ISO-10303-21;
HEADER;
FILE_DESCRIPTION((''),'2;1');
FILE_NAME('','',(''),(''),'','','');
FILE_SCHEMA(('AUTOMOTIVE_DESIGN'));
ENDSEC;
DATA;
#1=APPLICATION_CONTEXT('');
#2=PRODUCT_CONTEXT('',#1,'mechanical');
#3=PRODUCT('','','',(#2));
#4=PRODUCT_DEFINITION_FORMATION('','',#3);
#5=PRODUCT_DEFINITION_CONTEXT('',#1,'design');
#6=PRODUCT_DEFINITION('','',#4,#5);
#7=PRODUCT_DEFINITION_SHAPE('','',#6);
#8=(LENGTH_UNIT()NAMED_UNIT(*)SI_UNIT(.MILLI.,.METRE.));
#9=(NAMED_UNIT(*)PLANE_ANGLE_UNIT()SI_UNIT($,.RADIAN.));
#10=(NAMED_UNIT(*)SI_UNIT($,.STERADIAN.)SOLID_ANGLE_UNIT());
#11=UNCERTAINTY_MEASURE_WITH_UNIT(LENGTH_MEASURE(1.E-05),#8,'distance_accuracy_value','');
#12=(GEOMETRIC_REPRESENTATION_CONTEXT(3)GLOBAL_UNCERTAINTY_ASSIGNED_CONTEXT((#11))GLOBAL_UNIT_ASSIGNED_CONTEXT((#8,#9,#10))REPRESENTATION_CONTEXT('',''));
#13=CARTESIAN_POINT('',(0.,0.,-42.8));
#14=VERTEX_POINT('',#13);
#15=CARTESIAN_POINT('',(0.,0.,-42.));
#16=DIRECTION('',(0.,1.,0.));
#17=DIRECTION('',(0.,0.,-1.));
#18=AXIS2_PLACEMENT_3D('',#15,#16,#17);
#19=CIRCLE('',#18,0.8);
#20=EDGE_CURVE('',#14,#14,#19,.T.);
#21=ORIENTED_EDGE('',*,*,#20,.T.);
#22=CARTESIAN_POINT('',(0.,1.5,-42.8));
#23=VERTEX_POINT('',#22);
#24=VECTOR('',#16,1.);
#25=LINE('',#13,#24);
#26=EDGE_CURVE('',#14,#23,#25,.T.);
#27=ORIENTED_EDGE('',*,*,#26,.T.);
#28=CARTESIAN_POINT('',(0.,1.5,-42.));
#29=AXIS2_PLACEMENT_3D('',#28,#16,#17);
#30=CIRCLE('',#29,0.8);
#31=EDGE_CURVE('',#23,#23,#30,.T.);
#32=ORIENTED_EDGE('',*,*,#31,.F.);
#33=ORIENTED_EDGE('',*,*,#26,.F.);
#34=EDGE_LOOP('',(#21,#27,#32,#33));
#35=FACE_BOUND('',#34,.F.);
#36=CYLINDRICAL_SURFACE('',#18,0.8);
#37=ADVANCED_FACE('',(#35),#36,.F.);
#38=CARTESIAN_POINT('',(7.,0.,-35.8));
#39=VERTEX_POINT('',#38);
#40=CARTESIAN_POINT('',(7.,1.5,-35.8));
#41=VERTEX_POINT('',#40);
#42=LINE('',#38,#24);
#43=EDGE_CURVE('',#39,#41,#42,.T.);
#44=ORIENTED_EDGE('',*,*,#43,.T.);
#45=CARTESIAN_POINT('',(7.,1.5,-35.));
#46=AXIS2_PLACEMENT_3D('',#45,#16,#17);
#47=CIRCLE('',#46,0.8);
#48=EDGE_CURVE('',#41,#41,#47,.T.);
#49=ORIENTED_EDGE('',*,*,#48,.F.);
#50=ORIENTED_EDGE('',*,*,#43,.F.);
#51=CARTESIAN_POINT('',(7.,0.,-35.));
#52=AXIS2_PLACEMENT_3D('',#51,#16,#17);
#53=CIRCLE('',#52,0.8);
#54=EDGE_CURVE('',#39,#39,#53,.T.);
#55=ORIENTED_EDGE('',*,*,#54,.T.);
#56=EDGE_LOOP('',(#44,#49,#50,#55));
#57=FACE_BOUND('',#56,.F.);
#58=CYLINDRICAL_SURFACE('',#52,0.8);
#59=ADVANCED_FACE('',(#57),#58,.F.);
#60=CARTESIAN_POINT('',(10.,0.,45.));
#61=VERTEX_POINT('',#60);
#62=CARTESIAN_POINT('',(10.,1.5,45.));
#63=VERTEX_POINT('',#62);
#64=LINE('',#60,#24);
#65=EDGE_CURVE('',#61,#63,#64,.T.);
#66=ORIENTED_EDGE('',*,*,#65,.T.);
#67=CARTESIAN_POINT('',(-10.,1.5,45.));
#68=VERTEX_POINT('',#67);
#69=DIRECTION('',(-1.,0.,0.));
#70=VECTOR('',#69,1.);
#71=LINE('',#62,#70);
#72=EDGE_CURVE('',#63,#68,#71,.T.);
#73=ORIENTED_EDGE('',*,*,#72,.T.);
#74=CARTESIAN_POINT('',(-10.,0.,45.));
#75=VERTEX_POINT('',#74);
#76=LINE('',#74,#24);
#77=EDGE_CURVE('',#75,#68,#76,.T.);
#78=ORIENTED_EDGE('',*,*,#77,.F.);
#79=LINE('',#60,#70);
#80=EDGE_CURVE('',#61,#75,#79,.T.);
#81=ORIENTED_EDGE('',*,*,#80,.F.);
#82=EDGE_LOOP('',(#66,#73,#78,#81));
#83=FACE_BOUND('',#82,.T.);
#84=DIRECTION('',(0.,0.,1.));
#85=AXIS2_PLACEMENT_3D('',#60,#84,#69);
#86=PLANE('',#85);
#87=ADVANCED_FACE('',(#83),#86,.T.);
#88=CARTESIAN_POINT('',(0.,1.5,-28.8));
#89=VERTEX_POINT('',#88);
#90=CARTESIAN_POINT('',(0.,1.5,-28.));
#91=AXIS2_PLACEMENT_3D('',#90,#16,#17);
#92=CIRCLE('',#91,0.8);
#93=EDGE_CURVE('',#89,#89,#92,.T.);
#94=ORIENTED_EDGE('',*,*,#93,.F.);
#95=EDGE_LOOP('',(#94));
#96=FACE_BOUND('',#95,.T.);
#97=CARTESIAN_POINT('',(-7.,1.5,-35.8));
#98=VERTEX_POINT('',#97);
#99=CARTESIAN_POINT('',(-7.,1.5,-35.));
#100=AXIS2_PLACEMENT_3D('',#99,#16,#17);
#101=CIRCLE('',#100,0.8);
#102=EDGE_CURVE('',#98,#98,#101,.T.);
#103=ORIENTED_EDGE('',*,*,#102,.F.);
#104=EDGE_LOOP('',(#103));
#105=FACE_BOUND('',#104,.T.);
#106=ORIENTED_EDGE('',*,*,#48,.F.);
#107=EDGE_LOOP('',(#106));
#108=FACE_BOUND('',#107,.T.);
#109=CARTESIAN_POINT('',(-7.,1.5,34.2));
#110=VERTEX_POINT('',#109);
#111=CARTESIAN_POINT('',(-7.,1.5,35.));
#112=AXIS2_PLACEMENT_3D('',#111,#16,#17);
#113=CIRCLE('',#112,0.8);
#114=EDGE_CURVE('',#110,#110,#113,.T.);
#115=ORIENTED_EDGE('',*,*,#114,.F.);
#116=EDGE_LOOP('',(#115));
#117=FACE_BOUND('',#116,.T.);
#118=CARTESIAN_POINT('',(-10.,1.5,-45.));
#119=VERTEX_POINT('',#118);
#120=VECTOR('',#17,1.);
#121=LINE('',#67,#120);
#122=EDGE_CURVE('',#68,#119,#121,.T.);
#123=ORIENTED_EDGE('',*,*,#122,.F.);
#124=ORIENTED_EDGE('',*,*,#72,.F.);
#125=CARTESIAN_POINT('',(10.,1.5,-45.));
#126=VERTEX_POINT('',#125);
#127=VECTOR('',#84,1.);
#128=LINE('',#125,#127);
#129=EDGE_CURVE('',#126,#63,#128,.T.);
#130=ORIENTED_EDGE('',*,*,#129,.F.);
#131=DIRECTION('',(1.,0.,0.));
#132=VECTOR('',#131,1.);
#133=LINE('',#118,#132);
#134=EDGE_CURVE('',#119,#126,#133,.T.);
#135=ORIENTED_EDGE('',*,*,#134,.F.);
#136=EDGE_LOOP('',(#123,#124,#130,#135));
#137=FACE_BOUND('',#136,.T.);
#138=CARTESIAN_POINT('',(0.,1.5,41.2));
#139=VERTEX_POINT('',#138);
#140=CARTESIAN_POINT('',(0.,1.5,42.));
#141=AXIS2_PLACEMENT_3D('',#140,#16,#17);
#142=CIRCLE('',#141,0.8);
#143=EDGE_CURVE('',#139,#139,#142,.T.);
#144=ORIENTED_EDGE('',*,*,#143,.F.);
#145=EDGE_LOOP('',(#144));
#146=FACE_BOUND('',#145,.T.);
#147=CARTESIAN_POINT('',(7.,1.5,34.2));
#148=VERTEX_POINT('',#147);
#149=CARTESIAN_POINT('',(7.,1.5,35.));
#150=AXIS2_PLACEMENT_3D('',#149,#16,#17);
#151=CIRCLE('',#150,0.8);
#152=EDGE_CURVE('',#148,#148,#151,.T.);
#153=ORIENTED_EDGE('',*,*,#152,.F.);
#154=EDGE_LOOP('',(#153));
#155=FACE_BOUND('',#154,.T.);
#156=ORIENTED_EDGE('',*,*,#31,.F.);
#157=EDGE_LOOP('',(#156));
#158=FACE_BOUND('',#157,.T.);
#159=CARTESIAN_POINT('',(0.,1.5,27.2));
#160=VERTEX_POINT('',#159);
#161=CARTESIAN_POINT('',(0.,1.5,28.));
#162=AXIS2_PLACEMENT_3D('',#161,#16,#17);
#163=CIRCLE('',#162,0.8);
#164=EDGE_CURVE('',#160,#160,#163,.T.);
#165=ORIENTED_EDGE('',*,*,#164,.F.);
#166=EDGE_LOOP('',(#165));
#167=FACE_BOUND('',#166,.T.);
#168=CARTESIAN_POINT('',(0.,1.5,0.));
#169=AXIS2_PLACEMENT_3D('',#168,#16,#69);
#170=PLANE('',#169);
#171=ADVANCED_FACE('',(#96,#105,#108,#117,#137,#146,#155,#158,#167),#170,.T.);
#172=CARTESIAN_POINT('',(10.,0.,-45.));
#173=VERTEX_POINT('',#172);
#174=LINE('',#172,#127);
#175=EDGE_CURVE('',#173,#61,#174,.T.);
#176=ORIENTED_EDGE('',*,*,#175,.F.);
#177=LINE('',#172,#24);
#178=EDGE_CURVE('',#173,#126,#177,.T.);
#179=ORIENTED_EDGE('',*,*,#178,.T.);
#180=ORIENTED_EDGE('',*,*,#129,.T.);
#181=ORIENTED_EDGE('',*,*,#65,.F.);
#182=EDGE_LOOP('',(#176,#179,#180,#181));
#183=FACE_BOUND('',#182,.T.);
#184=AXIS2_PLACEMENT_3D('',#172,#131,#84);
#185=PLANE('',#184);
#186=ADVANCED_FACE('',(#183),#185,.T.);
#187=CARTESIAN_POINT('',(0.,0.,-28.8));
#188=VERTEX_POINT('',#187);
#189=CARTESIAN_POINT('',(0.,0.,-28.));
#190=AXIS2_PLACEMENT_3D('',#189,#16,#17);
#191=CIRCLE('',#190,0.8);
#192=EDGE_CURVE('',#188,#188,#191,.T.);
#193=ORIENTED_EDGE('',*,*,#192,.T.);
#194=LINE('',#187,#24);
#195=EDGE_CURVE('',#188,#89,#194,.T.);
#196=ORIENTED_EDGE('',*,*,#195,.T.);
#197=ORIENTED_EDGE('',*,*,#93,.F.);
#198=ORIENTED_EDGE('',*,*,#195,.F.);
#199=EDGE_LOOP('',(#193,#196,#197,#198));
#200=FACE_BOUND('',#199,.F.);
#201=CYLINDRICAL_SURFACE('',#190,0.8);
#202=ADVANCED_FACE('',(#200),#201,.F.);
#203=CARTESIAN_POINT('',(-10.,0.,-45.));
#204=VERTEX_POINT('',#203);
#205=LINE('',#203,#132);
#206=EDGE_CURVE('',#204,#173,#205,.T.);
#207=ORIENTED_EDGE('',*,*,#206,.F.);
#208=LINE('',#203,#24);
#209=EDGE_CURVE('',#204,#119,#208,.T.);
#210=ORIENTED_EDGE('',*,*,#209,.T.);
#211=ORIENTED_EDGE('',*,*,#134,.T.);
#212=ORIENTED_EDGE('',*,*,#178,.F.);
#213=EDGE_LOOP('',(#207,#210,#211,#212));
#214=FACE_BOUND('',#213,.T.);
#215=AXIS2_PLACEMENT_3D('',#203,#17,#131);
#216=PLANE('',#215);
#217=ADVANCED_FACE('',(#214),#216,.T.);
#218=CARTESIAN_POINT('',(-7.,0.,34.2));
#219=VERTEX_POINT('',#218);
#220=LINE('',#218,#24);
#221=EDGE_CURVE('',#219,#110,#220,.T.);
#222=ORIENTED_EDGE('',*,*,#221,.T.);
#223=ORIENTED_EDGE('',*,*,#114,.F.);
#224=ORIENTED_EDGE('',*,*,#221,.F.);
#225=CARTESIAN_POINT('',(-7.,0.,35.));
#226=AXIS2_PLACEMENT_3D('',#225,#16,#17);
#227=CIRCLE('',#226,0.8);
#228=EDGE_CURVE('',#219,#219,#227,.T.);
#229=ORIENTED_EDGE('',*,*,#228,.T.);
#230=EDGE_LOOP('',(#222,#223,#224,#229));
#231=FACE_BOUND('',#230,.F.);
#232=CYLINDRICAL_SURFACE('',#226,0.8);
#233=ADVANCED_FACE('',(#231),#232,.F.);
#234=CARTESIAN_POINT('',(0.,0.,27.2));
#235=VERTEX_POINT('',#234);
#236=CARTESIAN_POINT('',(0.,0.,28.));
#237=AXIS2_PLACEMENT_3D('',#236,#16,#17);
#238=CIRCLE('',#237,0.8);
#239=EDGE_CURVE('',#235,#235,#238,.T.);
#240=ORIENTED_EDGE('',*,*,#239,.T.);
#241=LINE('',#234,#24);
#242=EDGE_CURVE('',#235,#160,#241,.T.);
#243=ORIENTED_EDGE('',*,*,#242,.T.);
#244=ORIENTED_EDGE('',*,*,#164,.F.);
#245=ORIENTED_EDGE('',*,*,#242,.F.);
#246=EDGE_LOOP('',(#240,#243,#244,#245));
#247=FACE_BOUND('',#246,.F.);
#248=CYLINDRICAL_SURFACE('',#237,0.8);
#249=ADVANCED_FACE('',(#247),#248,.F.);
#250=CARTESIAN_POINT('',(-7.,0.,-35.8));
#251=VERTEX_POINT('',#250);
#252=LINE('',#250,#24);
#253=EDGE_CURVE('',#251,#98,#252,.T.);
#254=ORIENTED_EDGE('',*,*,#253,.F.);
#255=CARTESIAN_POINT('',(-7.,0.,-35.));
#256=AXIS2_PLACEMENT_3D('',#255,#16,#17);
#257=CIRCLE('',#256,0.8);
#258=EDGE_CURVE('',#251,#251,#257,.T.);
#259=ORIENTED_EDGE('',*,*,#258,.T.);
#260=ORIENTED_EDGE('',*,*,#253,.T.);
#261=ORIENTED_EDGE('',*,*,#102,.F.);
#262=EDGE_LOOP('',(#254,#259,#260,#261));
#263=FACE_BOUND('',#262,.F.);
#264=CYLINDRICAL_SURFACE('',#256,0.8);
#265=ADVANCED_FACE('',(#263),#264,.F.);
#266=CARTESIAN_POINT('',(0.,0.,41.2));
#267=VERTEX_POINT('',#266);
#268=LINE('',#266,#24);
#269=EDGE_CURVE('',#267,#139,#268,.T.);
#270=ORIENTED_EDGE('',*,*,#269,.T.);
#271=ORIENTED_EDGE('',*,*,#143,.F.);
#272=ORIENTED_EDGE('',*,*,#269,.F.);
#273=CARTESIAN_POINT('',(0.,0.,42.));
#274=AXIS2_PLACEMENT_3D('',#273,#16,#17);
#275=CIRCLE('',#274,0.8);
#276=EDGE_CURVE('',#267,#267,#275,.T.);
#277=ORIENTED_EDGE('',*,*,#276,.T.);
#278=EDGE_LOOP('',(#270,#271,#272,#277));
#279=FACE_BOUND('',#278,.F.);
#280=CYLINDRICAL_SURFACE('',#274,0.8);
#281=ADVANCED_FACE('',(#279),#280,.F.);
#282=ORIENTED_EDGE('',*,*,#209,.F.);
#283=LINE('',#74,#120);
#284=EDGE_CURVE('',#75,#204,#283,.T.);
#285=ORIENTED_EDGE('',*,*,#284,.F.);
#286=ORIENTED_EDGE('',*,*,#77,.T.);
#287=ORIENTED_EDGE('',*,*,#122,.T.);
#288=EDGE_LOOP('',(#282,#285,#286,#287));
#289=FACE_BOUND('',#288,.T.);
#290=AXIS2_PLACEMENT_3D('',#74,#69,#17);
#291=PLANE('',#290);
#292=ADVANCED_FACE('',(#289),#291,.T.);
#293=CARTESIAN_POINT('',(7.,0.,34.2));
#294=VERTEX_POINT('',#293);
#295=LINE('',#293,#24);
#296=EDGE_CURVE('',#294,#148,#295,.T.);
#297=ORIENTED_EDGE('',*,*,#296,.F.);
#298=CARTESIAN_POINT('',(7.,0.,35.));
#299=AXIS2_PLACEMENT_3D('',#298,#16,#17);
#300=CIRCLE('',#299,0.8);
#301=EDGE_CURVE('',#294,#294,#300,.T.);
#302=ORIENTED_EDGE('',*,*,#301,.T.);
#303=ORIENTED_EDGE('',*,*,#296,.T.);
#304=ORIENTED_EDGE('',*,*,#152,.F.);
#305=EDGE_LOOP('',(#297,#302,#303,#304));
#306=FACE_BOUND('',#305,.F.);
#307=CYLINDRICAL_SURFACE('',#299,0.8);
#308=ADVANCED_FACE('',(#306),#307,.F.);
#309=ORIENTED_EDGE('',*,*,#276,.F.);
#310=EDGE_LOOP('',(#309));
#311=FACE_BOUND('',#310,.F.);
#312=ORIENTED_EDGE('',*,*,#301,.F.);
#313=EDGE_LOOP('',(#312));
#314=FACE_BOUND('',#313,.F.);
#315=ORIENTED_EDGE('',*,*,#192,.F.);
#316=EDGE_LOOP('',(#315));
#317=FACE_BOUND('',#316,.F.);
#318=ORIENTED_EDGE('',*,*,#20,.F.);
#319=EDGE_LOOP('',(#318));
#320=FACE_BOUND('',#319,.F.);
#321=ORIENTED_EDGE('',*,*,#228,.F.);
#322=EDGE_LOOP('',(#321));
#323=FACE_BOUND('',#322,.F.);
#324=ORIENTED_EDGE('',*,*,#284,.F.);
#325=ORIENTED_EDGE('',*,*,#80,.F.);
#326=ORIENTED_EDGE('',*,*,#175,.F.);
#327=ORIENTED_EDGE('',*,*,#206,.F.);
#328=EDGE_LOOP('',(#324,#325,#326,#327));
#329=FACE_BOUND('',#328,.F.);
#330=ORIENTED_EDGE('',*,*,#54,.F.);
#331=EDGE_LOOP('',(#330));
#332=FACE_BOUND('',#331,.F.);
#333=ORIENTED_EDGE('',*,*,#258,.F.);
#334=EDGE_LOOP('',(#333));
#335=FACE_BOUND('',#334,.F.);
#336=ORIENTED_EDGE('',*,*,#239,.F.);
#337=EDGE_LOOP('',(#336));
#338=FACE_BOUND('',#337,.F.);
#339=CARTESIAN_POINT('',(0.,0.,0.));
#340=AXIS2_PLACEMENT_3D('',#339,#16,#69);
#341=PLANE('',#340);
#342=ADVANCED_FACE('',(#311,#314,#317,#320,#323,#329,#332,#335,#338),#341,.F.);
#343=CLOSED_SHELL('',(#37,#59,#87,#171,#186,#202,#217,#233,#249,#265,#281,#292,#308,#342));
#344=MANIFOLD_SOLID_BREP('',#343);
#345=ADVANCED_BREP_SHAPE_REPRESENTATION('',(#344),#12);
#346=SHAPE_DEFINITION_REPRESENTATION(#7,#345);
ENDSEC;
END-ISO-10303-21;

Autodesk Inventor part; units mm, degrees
ref_plane "YZ Plane" through (0, 0, 0) normal (1, 0, 0) x (0, 1, 0)
ref_plane "XZ Plane" through (0, 0, 0) normal (0, 1, 0) x (-1, 0, 0)
ref_plane "XY Plane" through (0, 0, 0) normal (0, 0, 1) x (1, 0, 0)
sketch "Sketch1" plane through (0, 0, 0) normal (0, 1, 0) x (-1, 0, 0)
  line L0 (10, -45) -> (-10, -45)
  line L1 (-10, -45) -> (-10, 45)
  line L2 (-10, 45) -> (10, 45)
  line L3 (10, 45) -> (10, -45)
  point P0 (0, 0)
  dimension "d0" = 20
  dimension "d1" = 90
  dimension "d2" = 45
  dimension "d3" = 10
extrude "Plate1" add sketch "Sketch1" along normal blind 1.5
sketch "Sketch2" plane through (0, 0, 0) normal (0, -1, 0) x (1, 0, 0)
  circle A0 centre (0, 42) radius 0.7835 projected
  circle A1 centre (-7, 35) radius 0.7835 projected
  circle A2 centre (0, 28) radius 0.7835 projected
  circle A3 centre (7, 35) radius 0.7835 projected
  circle A4 centre (0, -28) radius 0.7835 projected
  circle A5 centre (-7, -35) radius 0.7835 projected
  circle A6 centre (0, -42) radius 0.7835 projected
  circle A7 centre (7, -35) radius 0.7835 projected
  point P0 (0, 0)
hole "Hole1" at (0, 0, 42) at (-7, 0, 35) at (0, 0, 28) at (7, 0, 35) at (0, 0, -28) at (-7, 0, -35) at (0, 0, -42) at (7, 0, -35) direction (0, 1, 0) diameter 1.6 depth 1.5
equation "\"d10\" = Thickness"
equation "\"d4\" = Thickness"
equation "\"BendReliefWidth\" = Thickness"
equation "\"BendReliefDepth\" = 0.5 * Thickness"
equation "\"CornerReliefSize\" = 4 * Thickness"
equation "\"MinimumRemnant\" = 2 * Thickness"
equation "\"TransitionRadius\" = BendRadius"
equation "\"JacobiRadiusSize\" = BendRadius"
equation "\"GapSize\" = Thickness"
equation "\"Thickness\" = 1.5"
equation "\"BendRadius\" = 0.31"
properties part number "axis_10_11-connector_frame" material "Aluminum 6061-AHC"
